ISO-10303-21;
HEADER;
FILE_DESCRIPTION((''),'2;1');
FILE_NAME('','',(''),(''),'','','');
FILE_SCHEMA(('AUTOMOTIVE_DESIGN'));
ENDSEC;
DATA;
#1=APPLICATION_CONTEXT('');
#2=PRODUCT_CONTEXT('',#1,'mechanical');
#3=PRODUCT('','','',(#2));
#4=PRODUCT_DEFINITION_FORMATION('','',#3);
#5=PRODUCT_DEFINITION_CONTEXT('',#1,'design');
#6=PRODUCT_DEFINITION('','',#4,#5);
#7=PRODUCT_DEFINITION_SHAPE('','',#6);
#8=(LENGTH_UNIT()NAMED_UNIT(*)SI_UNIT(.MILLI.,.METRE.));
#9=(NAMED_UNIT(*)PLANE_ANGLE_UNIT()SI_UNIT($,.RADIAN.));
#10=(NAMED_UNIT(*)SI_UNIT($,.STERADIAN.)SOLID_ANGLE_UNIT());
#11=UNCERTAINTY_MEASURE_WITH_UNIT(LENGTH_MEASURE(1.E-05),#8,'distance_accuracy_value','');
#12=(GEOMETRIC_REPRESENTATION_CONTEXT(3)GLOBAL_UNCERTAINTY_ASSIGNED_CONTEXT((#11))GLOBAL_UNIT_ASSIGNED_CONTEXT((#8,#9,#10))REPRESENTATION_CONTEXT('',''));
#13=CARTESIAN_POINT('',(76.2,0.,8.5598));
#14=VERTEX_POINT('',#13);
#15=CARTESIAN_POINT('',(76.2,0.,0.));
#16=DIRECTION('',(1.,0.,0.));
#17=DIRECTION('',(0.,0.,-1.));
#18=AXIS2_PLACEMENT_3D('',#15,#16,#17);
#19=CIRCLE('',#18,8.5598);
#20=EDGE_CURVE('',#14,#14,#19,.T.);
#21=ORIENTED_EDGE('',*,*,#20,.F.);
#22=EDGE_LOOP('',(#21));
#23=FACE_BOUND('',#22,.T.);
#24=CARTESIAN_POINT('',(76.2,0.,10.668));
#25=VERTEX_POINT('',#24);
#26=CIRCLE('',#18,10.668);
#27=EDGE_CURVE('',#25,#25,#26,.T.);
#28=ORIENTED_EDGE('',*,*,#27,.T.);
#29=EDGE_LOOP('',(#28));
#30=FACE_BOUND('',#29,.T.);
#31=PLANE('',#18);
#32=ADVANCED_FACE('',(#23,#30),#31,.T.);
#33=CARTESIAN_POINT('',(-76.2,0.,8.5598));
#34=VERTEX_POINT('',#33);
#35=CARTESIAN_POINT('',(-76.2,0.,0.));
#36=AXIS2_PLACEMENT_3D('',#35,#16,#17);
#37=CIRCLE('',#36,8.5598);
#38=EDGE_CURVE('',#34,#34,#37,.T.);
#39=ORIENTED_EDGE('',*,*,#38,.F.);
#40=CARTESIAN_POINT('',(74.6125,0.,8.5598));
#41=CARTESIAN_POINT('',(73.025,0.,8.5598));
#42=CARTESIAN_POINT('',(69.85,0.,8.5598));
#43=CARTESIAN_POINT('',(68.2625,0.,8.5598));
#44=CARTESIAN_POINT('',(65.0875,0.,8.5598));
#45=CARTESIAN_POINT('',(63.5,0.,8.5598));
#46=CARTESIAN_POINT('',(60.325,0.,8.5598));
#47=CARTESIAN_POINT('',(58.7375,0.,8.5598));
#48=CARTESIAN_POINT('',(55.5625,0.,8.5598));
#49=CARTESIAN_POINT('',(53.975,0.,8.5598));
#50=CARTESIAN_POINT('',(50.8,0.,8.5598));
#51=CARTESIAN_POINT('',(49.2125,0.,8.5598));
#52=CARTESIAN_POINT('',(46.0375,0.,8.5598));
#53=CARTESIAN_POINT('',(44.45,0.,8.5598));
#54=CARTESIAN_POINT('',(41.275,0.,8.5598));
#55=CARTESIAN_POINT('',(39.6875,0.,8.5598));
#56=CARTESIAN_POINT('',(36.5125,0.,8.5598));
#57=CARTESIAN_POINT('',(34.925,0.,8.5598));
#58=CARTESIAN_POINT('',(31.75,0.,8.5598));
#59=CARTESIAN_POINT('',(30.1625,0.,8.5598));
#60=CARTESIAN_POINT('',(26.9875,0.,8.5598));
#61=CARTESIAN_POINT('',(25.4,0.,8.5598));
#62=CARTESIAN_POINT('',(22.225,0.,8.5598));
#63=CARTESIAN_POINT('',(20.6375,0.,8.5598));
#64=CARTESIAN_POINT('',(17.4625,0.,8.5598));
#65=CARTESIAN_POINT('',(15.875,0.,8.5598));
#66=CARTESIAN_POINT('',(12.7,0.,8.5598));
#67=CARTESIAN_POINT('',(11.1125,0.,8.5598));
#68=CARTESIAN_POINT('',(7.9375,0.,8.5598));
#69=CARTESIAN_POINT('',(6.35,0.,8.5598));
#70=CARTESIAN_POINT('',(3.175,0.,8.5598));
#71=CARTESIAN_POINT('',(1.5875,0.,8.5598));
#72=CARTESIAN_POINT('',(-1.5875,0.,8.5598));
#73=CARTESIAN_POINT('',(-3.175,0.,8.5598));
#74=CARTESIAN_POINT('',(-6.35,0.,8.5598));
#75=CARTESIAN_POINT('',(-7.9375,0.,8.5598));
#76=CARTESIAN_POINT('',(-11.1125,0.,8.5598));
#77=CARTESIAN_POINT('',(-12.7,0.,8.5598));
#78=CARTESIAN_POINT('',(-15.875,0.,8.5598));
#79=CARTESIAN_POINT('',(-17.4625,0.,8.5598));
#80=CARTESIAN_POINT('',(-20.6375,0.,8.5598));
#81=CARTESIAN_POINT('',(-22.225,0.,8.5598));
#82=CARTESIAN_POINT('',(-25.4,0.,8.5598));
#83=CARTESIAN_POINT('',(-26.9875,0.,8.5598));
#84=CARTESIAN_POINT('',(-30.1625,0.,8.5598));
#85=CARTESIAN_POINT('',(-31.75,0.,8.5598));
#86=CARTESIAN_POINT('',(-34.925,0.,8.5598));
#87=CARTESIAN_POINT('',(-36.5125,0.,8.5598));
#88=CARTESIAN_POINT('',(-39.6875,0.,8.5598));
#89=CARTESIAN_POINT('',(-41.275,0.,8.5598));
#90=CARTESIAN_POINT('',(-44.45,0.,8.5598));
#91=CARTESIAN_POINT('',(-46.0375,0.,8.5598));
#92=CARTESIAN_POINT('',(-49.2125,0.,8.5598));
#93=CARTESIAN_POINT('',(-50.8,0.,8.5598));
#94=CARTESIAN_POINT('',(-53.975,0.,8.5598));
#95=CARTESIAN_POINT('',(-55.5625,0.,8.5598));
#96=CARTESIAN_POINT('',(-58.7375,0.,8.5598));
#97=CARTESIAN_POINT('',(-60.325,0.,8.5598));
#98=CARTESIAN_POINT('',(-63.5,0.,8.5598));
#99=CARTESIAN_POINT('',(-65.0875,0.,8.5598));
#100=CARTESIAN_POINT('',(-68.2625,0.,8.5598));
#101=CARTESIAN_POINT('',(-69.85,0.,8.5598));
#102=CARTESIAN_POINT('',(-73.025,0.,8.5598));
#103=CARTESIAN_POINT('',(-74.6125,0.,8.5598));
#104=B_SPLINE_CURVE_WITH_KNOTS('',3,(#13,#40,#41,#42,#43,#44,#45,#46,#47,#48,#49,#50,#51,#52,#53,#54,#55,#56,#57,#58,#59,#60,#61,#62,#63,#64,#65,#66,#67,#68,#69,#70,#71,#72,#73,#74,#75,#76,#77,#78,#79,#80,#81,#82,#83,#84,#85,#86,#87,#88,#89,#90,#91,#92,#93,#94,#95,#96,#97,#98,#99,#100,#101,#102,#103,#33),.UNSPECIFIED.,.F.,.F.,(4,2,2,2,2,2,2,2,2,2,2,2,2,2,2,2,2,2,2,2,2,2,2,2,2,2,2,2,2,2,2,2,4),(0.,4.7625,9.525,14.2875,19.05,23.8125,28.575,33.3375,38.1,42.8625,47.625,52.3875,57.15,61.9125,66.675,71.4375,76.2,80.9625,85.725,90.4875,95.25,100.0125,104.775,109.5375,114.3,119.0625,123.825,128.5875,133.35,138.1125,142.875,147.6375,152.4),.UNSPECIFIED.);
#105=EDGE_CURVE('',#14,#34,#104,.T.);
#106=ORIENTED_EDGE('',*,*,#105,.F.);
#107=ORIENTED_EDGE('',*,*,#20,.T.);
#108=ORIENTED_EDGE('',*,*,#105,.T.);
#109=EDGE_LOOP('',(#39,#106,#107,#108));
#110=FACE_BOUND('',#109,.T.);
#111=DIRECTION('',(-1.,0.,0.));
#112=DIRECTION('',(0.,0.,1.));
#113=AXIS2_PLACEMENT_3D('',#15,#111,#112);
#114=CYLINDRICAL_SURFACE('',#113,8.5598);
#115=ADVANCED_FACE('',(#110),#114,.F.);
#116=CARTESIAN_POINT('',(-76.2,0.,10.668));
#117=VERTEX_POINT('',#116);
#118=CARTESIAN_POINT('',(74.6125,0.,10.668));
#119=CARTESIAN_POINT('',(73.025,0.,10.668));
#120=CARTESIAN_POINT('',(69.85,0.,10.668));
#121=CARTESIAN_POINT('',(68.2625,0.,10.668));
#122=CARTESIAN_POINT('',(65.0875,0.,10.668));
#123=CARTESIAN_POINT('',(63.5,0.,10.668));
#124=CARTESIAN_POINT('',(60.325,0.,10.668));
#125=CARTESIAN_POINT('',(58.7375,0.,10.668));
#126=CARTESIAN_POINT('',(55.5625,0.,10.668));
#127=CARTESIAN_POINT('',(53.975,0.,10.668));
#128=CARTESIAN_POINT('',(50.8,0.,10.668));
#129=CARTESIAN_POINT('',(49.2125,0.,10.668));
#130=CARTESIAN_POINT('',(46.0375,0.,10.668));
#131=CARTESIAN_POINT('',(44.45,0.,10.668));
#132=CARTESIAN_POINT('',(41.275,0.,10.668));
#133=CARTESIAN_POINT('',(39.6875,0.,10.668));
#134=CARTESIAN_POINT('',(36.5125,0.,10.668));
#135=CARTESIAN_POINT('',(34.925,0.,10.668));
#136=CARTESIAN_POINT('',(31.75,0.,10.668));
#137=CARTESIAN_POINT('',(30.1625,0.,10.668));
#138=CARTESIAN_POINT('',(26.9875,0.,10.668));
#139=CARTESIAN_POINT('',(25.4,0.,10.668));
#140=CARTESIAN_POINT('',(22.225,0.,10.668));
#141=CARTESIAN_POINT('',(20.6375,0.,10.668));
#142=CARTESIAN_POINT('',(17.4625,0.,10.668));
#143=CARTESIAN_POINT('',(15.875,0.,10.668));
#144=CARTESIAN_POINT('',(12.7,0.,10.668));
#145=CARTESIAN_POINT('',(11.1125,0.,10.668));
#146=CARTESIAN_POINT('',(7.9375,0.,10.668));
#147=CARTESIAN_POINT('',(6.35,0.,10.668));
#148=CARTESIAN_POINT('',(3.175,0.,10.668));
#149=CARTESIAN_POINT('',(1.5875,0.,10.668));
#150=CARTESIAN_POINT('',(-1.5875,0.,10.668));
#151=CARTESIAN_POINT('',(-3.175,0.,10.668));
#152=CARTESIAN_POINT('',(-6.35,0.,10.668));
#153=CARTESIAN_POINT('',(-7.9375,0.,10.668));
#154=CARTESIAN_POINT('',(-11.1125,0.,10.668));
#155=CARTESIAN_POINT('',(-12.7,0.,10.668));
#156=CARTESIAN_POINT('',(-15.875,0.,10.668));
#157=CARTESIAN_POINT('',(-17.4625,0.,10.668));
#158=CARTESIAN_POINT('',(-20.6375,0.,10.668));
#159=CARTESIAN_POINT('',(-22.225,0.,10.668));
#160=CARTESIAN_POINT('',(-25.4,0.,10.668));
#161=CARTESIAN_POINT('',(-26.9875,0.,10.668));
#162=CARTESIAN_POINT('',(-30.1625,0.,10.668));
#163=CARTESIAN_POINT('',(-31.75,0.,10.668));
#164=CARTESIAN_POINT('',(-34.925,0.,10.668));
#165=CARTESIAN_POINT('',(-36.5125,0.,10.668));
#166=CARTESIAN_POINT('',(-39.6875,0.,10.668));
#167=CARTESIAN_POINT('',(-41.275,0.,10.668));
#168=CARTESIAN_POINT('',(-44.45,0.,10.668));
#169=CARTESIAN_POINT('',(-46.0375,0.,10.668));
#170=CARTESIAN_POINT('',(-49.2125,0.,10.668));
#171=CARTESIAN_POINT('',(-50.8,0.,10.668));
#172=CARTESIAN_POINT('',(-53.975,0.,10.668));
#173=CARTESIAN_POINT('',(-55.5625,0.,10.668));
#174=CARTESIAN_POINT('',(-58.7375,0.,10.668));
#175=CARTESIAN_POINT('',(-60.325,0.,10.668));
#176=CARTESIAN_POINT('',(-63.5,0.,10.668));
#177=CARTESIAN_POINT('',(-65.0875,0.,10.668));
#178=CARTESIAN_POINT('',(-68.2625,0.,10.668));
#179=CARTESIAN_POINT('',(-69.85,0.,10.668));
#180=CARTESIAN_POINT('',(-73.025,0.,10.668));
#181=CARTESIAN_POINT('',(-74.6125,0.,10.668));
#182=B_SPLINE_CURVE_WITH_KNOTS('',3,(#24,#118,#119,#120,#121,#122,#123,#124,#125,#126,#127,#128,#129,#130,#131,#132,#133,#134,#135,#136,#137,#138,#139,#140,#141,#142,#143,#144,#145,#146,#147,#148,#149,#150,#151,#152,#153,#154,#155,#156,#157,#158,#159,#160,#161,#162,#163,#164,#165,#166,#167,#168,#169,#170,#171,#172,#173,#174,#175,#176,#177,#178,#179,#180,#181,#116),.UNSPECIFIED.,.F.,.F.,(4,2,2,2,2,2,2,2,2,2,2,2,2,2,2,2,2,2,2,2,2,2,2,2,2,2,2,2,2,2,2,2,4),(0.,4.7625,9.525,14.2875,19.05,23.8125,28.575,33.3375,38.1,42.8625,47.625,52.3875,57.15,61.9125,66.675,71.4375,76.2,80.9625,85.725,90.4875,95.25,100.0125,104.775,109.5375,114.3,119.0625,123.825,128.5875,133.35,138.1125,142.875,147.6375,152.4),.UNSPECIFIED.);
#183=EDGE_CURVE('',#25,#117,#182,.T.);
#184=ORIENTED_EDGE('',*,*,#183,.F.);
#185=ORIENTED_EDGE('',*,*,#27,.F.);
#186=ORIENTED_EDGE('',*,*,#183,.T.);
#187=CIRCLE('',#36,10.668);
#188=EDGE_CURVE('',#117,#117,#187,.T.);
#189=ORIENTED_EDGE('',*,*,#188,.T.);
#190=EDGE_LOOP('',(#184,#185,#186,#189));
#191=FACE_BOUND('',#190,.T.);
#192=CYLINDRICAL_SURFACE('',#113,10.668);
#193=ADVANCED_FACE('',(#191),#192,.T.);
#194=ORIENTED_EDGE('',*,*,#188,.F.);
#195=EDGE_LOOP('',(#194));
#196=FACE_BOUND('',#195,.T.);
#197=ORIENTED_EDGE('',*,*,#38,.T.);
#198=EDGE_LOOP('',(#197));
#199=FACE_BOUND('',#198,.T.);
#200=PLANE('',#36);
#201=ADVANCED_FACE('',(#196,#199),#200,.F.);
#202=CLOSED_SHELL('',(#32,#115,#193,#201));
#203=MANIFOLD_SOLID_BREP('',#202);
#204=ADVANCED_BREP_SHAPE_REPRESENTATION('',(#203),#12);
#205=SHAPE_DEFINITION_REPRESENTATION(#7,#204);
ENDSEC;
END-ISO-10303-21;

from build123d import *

# Parameters (mm, degrees)
SKETCH1_R      = 10.668
SKETCH1_R_2    = 8.5598
EXTRUDE1_DEPTH = 76.2


with BuildPart() as part:
    # Sketch1 → Extrude1 (new, symmetric)
    with BuildSketch(Plane(origin=(0, 0, 0), x_dir=(0, 0, -1), z_dir=(1, 0, 0))):
        with Locations(Location((0, 0, 0), (0, 0, 180))):
            Circle(SKETCH1_R)
        with Locations(Location((0, 0, 0), (0, 0, 180))):
            Circle(SKETCH1_R_2, mode=Mode.SUBTRACT)
    extrude(amount=EXTRUDE1_DEPTH, both=True)


solid = part.part
